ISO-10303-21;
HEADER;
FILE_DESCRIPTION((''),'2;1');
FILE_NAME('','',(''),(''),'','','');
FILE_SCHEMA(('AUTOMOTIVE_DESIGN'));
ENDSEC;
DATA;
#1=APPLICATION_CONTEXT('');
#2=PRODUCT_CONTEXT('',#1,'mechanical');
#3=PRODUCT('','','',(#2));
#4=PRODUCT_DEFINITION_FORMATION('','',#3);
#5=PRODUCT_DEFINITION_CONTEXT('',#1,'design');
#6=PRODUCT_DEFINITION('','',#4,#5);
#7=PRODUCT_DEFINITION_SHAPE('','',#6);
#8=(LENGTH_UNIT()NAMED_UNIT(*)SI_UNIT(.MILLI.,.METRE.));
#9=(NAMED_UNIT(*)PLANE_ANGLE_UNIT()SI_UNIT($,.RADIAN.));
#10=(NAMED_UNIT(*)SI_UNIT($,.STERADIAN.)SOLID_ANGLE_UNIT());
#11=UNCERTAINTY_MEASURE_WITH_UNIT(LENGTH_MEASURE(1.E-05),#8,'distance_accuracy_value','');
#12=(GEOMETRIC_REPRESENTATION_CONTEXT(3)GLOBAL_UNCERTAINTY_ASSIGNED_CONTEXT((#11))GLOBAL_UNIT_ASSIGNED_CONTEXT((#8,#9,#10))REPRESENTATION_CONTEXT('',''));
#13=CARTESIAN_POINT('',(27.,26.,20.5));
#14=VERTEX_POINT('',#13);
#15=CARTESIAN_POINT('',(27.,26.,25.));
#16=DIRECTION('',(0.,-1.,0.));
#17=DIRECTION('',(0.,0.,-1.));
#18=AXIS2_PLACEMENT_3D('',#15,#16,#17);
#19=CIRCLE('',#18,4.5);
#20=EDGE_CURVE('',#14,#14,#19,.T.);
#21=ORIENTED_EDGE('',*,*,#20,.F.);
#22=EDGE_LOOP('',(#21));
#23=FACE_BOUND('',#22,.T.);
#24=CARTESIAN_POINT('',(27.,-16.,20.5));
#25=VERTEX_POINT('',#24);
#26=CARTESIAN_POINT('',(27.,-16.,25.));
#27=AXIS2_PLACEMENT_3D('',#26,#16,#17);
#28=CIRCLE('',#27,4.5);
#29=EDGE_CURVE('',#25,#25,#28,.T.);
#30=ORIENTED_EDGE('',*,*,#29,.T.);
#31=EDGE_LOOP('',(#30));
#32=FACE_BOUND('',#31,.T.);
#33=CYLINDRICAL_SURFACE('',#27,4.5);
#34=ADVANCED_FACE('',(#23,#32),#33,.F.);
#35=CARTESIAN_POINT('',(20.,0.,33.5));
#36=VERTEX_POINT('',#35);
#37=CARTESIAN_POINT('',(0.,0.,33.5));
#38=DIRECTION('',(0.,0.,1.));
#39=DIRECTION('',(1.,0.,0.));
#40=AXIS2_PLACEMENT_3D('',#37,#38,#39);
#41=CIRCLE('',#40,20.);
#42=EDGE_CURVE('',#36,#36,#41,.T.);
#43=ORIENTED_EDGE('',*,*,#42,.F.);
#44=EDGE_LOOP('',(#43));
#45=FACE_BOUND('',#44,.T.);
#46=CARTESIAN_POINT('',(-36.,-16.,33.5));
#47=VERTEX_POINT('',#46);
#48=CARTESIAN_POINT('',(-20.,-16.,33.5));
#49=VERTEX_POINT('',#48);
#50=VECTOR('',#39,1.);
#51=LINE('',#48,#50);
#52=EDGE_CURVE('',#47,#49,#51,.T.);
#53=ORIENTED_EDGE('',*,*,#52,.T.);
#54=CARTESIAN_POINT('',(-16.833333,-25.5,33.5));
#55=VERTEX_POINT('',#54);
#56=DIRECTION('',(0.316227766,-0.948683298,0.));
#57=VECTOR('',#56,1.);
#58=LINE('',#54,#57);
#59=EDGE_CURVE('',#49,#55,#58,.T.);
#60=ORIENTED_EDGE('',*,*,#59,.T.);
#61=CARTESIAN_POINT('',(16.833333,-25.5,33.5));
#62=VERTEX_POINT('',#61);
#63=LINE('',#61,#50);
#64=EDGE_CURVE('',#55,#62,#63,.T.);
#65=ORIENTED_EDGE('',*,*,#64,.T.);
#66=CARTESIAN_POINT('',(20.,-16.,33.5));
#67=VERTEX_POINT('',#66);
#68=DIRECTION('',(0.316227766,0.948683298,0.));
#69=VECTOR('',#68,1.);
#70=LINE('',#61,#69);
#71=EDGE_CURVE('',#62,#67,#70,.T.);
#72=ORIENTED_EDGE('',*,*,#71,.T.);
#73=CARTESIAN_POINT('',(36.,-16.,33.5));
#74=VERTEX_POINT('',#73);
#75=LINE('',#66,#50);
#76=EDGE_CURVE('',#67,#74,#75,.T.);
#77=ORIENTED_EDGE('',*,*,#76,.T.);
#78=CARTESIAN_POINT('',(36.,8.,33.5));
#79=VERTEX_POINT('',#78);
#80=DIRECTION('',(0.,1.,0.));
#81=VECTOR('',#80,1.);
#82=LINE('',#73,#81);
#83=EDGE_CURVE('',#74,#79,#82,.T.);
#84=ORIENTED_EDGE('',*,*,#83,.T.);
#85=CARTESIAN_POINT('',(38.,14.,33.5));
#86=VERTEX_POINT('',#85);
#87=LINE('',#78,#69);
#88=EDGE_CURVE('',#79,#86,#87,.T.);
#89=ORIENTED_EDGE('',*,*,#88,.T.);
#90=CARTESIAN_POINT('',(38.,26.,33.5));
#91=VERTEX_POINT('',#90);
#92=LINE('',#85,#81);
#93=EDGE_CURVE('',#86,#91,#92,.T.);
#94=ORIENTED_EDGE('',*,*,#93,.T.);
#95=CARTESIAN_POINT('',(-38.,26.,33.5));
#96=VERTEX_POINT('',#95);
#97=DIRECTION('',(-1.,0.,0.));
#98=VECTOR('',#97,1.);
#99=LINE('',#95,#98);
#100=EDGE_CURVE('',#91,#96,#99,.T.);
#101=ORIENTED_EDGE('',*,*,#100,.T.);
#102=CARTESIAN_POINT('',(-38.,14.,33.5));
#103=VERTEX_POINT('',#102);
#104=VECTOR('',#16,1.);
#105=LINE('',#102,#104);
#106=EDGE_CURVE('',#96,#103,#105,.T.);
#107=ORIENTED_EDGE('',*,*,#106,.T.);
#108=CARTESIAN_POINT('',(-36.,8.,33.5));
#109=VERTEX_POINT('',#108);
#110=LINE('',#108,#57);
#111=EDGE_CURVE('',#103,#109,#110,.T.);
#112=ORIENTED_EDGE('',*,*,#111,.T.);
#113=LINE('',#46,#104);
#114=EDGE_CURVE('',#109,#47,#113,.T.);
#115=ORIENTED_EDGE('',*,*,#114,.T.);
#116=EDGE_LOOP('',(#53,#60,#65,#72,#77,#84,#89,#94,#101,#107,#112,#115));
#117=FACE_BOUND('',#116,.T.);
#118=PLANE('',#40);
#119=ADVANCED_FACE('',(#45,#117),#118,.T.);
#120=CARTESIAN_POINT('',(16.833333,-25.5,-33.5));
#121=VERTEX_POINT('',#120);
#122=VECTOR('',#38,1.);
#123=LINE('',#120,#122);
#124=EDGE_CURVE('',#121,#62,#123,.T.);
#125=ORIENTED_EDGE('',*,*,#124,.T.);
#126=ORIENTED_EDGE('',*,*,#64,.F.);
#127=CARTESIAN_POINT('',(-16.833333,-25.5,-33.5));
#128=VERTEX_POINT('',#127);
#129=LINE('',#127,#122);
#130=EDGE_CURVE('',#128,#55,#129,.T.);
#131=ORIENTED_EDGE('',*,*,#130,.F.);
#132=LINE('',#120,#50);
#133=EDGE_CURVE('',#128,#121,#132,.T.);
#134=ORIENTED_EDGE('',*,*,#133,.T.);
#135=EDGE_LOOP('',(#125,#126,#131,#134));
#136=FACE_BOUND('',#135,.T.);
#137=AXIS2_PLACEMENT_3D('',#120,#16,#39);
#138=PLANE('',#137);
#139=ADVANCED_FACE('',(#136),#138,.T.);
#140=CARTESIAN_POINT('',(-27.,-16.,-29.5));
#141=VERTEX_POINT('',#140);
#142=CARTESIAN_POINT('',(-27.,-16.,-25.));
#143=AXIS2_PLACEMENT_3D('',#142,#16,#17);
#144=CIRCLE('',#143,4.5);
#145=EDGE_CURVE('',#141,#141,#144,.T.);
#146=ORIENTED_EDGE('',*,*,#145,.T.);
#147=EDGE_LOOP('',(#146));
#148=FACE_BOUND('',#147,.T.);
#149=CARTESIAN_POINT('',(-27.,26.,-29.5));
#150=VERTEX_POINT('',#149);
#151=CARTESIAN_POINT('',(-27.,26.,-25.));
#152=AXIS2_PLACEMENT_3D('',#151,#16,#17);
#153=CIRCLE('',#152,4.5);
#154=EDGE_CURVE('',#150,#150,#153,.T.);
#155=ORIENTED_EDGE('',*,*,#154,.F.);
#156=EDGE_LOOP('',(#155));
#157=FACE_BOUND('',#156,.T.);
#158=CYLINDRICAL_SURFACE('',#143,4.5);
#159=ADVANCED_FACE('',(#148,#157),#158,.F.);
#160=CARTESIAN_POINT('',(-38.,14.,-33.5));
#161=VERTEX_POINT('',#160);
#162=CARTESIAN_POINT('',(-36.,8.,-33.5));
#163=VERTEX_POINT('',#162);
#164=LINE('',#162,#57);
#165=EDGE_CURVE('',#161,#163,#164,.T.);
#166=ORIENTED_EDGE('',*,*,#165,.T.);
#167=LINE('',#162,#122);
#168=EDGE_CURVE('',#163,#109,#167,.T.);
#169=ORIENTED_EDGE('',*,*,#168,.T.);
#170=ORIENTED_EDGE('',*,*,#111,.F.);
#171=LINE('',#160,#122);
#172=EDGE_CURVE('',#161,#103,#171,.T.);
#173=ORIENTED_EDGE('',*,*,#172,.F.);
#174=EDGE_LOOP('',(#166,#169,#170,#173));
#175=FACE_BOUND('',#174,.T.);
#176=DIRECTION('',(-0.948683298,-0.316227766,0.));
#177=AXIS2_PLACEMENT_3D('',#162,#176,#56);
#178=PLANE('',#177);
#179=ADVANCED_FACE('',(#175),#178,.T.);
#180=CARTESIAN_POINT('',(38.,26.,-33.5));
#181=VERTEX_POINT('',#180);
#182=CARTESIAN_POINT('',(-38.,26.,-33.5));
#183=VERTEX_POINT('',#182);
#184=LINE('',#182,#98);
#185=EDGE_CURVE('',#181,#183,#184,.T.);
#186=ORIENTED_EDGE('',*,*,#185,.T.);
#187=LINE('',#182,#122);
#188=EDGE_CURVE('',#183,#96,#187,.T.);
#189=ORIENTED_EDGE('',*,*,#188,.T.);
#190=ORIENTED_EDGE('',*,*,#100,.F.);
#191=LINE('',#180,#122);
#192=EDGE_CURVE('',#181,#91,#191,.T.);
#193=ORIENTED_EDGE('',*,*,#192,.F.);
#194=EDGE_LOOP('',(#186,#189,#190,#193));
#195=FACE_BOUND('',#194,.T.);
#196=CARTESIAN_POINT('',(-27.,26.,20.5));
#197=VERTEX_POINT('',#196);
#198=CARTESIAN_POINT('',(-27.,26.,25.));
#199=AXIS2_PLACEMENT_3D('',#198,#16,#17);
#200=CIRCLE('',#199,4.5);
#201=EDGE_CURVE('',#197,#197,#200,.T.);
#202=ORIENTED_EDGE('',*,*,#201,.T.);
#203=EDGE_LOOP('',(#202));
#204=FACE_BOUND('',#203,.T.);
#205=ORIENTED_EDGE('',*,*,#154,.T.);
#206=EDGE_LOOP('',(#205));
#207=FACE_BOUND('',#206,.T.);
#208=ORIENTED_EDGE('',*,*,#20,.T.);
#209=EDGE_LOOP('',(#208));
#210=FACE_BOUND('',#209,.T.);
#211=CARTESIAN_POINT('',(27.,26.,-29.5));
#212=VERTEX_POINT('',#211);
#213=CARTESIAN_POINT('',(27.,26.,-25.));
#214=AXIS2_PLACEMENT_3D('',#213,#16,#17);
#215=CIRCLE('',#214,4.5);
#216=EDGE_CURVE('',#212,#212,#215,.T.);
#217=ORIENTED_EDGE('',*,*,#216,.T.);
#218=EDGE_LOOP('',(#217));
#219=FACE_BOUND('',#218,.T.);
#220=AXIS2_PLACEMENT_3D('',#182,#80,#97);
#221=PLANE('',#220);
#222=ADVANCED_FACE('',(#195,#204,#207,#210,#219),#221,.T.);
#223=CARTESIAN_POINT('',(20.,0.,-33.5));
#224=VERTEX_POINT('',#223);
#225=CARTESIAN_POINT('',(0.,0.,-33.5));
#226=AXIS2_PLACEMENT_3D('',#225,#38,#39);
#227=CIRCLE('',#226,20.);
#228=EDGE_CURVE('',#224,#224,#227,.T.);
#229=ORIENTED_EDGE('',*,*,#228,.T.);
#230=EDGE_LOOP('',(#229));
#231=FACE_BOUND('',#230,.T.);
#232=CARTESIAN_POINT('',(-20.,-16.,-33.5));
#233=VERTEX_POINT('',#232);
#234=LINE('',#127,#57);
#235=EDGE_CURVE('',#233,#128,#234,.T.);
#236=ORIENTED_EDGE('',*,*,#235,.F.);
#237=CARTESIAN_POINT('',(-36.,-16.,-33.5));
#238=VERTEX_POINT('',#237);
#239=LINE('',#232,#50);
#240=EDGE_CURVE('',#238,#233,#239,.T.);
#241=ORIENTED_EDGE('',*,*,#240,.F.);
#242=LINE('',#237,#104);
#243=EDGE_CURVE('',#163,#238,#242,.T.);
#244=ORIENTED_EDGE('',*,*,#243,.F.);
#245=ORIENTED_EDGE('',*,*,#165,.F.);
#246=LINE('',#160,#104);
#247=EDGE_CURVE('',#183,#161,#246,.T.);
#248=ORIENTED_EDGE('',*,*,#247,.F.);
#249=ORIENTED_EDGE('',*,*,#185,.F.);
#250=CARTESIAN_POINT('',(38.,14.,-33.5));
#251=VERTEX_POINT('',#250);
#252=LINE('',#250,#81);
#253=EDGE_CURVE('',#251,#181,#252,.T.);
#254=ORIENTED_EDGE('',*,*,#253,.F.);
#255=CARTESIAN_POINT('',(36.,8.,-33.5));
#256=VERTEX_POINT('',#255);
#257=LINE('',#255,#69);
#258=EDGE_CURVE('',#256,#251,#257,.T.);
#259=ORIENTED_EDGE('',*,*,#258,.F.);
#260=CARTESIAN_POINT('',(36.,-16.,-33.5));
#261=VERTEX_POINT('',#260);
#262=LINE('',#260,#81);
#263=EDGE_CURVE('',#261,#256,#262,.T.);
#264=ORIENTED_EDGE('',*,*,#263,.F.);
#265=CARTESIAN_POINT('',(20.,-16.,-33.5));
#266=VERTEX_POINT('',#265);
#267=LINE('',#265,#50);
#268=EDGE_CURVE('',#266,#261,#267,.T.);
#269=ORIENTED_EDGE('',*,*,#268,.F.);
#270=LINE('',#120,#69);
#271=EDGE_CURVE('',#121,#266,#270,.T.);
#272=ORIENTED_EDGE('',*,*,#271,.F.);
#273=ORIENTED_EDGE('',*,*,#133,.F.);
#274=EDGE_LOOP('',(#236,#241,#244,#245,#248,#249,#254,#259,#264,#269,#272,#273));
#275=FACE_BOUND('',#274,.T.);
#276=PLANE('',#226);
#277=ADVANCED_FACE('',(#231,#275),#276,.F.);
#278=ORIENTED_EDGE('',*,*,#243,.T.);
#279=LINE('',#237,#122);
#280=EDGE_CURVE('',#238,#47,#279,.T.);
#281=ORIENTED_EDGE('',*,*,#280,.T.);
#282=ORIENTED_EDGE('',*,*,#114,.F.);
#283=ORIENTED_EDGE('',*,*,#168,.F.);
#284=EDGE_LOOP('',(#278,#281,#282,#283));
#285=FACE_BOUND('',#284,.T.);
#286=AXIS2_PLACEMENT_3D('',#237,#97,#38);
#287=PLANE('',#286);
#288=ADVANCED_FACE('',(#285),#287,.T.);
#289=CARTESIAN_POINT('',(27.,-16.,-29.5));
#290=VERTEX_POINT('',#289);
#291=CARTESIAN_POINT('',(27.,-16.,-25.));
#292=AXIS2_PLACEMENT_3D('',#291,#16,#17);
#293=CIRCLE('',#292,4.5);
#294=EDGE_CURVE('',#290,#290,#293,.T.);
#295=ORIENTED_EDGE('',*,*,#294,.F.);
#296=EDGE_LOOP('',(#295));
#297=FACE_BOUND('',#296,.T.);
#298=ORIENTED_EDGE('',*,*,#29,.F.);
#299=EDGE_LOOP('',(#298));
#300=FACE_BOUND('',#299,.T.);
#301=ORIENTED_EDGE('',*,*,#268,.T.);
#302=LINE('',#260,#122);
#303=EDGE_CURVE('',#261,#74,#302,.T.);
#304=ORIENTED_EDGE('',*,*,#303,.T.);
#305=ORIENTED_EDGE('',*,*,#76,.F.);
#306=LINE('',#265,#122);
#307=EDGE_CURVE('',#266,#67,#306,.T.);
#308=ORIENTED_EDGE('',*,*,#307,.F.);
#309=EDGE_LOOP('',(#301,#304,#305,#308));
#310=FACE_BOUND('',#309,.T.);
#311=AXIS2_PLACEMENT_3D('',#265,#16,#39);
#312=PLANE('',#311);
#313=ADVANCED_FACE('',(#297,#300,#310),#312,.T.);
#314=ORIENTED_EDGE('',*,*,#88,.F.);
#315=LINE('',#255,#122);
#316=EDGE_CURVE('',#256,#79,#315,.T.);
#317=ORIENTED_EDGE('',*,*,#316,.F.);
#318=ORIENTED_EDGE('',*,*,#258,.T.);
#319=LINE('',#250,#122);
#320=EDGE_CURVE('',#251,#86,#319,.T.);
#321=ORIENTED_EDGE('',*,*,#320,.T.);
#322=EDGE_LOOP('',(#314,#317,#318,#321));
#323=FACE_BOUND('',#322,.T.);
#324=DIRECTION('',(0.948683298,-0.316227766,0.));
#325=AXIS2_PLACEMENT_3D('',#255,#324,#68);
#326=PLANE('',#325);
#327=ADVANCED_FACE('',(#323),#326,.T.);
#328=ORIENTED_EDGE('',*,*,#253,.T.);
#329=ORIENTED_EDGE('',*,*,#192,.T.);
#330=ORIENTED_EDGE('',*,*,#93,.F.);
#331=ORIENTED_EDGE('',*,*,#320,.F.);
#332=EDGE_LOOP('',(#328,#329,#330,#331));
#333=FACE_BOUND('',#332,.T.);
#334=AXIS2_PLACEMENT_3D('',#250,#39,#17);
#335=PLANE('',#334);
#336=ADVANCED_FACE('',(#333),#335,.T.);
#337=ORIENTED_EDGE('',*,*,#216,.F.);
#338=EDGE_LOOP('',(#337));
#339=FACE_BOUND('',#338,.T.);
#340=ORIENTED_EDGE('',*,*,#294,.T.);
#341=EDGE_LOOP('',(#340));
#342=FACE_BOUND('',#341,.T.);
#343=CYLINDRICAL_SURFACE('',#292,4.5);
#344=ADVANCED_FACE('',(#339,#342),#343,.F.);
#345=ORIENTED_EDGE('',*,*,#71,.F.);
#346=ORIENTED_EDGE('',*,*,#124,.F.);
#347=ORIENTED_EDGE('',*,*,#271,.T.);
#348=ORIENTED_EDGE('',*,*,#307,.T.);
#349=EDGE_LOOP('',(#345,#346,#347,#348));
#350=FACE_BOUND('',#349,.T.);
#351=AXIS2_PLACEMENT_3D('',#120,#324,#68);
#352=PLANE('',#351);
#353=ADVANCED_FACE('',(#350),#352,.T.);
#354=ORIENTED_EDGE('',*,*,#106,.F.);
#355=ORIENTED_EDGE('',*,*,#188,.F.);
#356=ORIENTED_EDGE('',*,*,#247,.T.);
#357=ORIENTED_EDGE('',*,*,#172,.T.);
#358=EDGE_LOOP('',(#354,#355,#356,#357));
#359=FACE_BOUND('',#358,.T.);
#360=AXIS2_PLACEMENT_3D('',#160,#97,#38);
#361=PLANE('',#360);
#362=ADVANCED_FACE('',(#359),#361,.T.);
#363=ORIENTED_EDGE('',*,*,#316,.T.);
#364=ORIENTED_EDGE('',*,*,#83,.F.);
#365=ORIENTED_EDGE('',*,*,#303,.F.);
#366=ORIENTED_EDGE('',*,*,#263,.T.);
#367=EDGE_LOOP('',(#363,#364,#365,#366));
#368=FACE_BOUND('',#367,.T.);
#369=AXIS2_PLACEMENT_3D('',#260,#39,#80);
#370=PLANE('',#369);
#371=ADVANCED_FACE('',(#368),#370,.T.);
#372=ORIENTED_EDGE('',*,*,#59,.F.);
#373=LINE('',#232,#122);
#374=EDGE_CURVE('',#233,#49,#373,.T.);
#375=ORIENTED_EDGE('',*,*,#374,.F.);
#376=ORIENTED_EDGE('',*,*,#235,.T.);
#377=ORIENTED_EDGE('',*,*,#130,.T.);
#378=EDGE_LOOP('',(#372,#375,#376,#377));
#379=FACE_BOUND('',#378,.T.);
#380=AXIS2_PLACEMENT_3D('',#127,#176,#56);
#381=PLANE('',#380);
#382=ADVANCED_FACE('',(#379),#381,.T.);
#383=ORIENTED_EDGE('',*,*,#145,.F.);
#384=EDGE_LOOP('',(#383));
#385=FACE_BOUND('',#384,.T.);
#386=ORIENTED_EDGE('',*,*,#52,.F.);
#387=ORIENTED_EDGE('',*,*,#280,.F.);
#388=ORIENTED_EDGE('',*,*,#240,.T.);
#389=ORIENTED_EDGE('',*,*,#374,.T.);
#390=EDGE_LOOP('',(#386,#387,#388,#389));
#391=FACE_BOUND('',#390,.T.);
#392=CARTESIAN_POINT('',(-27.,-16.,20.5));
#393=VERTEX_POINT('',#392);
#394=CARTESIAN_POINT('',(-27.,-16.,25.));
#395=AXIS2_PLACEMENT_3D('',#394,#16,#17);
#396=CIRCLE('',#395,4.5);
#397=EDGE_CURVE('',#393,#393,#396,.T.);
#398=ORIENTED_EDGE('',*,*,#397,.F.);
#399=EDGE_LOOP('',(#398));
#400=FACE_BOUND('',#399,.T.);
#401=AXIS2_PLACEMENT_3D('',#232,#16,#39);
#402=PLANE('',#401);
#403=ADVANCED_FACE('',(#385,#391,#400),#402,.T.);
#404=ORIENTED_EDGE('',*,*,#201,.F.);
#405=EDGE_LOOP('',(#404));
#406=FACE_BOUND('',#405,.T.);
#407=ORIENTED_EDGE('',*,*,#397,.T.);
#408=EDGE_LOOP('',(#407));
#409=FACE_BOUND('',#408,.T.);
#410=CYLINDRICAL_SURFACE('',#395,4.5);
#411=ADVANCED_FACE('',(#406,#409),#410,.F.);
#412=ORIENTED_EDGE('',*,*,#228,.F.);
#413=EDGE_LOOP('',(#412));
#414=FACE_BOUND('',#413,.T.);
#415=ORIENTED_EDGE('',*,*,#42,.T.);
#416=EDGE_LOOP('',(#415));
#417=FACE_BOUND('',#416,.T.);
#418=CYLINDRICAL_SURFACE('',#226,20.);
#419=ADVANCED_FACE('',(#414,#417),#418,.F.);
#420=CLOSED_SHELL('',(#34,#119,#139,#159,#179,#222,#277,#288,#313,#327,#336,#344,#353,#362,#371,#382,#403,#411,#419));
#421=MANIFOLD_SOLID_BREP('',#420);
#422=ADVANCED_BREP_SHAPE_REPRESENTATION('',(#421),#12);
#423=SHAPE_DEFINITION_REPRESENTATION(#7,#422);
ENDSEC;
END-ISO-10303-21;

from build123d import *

# Parameters (mm, degrees)
DODANIE_WYCI_GNI_CIE1_DEPTH      = 33.5
DODANIE_WYCI_GNI_CIE1_DEPTH_BACK = 33.5
SZKIC1_R                         = 20
OTW_R_POD_RUB_M81_D              = 9
LUSTRO2_COPY_1_D                 = 9


with BuildPart() as part:
    # Szkic1 → Dodanie-wyciągnięcie1 (new, two sides: drawn at the far end of the back side and taken through both)
    with BuildSketch(Plane.XY.offset(-DODANIE_WYCI_GNI_CIE1_DEPTH_BACK)):
        Polygon((16.833333333, -25.5), (-16.833333333, -25.5), (-20, -16), (-36, -16), (-36, 8), (-38, 14), (-38, 26), (38, 26), (38, 14), (36, 8), (36, -16), (20, -16), align=None)
        Circle(SZKIC1_R, mode=Mode.SUBTRACT)
    extrude(amount=DODANIE_WYCI_GNI_CIE1_DEPTH + DODANIE_WYCI_GNI_CIE1_DEPTH_BACK)

    # Otwór pod śrubę M81 (through all)
    with Locations(Plane(origin=(0, -16, 0), x_dir=(-1, 0, 0), z_dir=(0, -1, 0))):
        with Locations((-27, -25)):
            otw_r_pod_rub_m81 = Hole(OTW_R_POD_RUB_M81_D / 2)

    # Lustro1: Otwór pod śrubę M81 across plane
    add(otw_r_pod_rub_m81.mirror(Plane(origin=(0, 0, 0), x_dir=(0, 0, 1), z_dir=(1, 0, 0))), mode=Mode.SUBTRACT)

    # Lustro2: Otwór pod śrubę M81 across plane
    add(otw_r_pod_rub_m81.mirror(Plane.XY), mode=Mode.SUBTRACT)

    # Lustro2 copy 1 (through all)
    with Locations(Plane.XZ.offset(16)):
        with Locations((-27, -25)):
            Hole(LUSTRO2_COPY_1_D / 2)


solid = part.part
